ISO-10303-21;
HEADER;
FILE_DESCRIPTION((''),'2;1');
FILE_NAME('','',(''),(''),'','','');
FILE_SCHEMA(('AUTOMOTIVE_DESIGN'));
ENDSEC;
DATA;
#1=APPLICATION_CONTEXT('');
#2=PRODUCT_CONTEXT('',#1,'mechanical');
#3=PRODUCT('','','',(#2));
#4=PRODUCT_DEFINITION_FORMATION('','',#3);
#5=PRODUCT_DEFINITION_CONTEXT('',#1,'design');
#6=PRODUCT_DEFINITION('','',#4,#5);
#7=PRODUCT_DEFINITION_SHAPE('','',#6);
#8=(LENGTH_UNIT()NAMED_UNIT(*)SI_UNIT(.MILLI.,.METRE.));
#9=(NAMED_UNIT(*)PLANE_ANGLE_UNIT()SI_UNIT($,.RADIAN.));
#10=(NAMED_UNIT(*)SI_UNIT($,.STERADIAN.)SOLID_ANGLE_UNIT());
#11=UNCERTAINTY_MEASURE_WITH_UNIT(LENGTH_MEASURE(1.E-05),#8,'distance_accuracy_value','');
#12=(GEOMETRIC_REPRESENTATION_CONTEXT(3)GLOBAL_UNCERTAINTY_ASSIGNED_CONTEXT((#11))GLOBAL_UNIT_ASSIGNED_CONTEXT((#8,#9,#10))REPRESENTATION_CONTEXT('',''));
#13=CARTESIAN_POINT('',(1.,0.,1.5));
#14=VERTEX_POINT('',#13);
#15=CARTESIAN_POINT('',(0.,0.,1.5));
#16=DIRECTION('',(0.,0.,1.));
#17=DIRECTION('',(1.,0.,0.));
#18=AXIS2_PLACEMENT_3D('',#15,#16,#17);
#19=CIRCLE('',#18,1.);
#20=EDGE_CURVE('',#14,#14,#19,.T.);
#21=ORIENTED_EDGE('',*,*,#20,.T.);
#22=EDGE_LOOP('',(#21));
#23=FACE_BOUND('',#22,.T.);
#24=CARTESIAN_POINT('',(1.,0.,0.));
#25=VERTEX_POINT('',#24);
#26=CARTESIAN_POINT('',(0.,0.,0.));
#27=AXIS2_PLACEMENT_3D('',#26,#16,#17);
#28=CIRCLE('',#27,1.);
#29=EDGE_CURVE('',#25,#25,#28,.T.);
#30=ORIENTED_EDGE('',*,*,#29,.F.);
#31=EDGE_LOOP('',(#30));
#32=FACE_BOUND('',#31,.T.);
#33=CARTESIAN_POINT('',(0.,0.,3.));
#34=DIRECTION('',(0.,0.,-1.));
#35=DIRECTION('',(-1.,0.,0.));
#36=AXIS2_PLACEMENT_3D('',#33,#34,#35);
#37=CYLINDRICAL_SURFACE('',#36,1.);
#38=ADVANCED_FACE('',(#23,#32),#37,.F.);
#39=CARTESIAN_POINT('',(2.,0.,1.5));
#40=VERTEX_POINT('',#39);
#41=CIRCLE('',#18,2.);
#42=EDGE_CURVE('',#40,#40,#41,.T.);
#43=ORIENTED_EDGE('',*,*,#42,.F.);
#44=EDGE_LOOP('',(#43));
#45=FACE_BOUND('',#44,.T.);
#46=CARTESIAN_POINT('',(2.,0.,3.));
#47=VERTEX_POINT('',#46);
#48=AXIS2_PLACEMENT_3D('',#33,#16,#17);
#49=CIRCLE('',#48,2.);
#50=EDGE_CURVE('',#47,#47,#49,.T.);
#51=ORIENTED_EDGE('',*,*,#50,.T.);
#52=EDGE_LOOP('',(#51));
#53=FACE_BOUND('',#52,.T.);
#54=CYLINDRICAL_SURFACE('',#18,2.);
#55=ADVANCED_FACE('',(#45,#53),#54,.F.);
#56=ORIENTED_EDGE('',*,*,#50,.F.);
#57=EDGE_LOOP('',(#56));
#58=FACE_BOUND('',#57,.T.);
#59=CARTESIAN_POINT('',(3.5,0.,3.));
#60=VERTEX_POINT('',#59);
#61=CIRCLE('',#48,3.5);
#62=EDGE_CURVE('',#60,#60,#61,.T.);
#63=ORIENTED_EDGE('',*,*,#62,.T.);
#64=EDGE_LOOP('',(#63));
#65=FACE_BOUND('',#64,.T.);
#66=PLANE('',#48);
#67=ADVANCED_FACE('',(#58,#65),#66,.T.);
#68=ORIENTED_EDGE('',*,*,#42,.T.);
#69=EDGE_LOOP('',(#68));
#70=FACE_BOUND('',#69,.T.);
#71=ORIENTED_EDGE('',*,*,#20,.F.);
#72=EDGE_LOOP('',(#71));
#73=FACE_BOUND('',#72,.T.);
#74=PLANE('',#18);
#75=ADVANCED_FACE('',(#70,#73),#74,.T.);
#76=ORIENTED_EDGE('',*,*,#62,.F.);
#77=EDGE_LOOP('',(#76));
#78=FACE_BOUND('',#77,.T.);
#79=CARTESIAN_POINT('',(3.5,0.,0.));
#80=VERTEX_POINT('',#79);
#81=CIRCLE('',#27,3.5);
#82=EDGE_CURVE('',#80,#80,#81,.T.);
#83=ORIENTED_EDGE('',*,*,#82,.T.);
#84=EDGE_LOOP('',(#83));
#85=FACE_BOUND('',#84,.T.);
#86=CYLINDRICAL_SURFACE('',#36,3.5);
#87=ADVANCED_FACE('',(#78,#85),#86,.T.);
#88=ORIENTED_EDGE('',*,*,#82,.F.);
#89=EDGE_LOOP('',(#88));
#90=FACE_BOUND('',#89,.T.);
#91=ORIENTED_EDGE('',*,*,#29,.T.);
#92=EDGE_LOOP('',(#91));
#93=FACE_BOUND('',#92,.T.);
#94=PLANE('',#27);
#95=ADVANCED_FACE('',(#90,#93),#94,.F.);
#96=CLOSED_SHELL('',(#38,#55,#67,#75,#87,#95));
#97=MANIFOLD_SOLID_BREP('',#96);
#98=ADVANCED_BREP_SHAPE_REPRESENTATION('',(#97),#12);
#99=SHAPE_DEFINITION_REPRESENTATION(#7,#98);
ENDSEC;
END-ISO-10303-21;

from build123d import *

# Parameters (mm, degrees)
SKETCH_1_R          = 3.5
SKETCH_1_R_2        = 1
EXTRUDE_1_DEPTH     = 3
SKETCH_2_R          = 2
CUT_EXTRUDE_1_DEPTH = 1.5


with BuildPart() as part:
    # 草图1 → 凸台-拉伸1 (new body)
    with BuildSketch(Plane.XY):
        Circle(SKETCH_1_R)
        Circle(SKETCH_1_R_2, mode=Mode.SUBTRACT)
    extrude(amount=EXTRUDE_1_DEPTH)

    # 草图2 → 切除-拉伸1 (cut)
    with BuildSketch(Plane.XY.offset(3)):
        Circle(SKETCH_2_R)
    extrude(amount=-CUT_EXTRUDE_1_DEPTH, mode=Mode.SUBTRACT)


solid = part.part
